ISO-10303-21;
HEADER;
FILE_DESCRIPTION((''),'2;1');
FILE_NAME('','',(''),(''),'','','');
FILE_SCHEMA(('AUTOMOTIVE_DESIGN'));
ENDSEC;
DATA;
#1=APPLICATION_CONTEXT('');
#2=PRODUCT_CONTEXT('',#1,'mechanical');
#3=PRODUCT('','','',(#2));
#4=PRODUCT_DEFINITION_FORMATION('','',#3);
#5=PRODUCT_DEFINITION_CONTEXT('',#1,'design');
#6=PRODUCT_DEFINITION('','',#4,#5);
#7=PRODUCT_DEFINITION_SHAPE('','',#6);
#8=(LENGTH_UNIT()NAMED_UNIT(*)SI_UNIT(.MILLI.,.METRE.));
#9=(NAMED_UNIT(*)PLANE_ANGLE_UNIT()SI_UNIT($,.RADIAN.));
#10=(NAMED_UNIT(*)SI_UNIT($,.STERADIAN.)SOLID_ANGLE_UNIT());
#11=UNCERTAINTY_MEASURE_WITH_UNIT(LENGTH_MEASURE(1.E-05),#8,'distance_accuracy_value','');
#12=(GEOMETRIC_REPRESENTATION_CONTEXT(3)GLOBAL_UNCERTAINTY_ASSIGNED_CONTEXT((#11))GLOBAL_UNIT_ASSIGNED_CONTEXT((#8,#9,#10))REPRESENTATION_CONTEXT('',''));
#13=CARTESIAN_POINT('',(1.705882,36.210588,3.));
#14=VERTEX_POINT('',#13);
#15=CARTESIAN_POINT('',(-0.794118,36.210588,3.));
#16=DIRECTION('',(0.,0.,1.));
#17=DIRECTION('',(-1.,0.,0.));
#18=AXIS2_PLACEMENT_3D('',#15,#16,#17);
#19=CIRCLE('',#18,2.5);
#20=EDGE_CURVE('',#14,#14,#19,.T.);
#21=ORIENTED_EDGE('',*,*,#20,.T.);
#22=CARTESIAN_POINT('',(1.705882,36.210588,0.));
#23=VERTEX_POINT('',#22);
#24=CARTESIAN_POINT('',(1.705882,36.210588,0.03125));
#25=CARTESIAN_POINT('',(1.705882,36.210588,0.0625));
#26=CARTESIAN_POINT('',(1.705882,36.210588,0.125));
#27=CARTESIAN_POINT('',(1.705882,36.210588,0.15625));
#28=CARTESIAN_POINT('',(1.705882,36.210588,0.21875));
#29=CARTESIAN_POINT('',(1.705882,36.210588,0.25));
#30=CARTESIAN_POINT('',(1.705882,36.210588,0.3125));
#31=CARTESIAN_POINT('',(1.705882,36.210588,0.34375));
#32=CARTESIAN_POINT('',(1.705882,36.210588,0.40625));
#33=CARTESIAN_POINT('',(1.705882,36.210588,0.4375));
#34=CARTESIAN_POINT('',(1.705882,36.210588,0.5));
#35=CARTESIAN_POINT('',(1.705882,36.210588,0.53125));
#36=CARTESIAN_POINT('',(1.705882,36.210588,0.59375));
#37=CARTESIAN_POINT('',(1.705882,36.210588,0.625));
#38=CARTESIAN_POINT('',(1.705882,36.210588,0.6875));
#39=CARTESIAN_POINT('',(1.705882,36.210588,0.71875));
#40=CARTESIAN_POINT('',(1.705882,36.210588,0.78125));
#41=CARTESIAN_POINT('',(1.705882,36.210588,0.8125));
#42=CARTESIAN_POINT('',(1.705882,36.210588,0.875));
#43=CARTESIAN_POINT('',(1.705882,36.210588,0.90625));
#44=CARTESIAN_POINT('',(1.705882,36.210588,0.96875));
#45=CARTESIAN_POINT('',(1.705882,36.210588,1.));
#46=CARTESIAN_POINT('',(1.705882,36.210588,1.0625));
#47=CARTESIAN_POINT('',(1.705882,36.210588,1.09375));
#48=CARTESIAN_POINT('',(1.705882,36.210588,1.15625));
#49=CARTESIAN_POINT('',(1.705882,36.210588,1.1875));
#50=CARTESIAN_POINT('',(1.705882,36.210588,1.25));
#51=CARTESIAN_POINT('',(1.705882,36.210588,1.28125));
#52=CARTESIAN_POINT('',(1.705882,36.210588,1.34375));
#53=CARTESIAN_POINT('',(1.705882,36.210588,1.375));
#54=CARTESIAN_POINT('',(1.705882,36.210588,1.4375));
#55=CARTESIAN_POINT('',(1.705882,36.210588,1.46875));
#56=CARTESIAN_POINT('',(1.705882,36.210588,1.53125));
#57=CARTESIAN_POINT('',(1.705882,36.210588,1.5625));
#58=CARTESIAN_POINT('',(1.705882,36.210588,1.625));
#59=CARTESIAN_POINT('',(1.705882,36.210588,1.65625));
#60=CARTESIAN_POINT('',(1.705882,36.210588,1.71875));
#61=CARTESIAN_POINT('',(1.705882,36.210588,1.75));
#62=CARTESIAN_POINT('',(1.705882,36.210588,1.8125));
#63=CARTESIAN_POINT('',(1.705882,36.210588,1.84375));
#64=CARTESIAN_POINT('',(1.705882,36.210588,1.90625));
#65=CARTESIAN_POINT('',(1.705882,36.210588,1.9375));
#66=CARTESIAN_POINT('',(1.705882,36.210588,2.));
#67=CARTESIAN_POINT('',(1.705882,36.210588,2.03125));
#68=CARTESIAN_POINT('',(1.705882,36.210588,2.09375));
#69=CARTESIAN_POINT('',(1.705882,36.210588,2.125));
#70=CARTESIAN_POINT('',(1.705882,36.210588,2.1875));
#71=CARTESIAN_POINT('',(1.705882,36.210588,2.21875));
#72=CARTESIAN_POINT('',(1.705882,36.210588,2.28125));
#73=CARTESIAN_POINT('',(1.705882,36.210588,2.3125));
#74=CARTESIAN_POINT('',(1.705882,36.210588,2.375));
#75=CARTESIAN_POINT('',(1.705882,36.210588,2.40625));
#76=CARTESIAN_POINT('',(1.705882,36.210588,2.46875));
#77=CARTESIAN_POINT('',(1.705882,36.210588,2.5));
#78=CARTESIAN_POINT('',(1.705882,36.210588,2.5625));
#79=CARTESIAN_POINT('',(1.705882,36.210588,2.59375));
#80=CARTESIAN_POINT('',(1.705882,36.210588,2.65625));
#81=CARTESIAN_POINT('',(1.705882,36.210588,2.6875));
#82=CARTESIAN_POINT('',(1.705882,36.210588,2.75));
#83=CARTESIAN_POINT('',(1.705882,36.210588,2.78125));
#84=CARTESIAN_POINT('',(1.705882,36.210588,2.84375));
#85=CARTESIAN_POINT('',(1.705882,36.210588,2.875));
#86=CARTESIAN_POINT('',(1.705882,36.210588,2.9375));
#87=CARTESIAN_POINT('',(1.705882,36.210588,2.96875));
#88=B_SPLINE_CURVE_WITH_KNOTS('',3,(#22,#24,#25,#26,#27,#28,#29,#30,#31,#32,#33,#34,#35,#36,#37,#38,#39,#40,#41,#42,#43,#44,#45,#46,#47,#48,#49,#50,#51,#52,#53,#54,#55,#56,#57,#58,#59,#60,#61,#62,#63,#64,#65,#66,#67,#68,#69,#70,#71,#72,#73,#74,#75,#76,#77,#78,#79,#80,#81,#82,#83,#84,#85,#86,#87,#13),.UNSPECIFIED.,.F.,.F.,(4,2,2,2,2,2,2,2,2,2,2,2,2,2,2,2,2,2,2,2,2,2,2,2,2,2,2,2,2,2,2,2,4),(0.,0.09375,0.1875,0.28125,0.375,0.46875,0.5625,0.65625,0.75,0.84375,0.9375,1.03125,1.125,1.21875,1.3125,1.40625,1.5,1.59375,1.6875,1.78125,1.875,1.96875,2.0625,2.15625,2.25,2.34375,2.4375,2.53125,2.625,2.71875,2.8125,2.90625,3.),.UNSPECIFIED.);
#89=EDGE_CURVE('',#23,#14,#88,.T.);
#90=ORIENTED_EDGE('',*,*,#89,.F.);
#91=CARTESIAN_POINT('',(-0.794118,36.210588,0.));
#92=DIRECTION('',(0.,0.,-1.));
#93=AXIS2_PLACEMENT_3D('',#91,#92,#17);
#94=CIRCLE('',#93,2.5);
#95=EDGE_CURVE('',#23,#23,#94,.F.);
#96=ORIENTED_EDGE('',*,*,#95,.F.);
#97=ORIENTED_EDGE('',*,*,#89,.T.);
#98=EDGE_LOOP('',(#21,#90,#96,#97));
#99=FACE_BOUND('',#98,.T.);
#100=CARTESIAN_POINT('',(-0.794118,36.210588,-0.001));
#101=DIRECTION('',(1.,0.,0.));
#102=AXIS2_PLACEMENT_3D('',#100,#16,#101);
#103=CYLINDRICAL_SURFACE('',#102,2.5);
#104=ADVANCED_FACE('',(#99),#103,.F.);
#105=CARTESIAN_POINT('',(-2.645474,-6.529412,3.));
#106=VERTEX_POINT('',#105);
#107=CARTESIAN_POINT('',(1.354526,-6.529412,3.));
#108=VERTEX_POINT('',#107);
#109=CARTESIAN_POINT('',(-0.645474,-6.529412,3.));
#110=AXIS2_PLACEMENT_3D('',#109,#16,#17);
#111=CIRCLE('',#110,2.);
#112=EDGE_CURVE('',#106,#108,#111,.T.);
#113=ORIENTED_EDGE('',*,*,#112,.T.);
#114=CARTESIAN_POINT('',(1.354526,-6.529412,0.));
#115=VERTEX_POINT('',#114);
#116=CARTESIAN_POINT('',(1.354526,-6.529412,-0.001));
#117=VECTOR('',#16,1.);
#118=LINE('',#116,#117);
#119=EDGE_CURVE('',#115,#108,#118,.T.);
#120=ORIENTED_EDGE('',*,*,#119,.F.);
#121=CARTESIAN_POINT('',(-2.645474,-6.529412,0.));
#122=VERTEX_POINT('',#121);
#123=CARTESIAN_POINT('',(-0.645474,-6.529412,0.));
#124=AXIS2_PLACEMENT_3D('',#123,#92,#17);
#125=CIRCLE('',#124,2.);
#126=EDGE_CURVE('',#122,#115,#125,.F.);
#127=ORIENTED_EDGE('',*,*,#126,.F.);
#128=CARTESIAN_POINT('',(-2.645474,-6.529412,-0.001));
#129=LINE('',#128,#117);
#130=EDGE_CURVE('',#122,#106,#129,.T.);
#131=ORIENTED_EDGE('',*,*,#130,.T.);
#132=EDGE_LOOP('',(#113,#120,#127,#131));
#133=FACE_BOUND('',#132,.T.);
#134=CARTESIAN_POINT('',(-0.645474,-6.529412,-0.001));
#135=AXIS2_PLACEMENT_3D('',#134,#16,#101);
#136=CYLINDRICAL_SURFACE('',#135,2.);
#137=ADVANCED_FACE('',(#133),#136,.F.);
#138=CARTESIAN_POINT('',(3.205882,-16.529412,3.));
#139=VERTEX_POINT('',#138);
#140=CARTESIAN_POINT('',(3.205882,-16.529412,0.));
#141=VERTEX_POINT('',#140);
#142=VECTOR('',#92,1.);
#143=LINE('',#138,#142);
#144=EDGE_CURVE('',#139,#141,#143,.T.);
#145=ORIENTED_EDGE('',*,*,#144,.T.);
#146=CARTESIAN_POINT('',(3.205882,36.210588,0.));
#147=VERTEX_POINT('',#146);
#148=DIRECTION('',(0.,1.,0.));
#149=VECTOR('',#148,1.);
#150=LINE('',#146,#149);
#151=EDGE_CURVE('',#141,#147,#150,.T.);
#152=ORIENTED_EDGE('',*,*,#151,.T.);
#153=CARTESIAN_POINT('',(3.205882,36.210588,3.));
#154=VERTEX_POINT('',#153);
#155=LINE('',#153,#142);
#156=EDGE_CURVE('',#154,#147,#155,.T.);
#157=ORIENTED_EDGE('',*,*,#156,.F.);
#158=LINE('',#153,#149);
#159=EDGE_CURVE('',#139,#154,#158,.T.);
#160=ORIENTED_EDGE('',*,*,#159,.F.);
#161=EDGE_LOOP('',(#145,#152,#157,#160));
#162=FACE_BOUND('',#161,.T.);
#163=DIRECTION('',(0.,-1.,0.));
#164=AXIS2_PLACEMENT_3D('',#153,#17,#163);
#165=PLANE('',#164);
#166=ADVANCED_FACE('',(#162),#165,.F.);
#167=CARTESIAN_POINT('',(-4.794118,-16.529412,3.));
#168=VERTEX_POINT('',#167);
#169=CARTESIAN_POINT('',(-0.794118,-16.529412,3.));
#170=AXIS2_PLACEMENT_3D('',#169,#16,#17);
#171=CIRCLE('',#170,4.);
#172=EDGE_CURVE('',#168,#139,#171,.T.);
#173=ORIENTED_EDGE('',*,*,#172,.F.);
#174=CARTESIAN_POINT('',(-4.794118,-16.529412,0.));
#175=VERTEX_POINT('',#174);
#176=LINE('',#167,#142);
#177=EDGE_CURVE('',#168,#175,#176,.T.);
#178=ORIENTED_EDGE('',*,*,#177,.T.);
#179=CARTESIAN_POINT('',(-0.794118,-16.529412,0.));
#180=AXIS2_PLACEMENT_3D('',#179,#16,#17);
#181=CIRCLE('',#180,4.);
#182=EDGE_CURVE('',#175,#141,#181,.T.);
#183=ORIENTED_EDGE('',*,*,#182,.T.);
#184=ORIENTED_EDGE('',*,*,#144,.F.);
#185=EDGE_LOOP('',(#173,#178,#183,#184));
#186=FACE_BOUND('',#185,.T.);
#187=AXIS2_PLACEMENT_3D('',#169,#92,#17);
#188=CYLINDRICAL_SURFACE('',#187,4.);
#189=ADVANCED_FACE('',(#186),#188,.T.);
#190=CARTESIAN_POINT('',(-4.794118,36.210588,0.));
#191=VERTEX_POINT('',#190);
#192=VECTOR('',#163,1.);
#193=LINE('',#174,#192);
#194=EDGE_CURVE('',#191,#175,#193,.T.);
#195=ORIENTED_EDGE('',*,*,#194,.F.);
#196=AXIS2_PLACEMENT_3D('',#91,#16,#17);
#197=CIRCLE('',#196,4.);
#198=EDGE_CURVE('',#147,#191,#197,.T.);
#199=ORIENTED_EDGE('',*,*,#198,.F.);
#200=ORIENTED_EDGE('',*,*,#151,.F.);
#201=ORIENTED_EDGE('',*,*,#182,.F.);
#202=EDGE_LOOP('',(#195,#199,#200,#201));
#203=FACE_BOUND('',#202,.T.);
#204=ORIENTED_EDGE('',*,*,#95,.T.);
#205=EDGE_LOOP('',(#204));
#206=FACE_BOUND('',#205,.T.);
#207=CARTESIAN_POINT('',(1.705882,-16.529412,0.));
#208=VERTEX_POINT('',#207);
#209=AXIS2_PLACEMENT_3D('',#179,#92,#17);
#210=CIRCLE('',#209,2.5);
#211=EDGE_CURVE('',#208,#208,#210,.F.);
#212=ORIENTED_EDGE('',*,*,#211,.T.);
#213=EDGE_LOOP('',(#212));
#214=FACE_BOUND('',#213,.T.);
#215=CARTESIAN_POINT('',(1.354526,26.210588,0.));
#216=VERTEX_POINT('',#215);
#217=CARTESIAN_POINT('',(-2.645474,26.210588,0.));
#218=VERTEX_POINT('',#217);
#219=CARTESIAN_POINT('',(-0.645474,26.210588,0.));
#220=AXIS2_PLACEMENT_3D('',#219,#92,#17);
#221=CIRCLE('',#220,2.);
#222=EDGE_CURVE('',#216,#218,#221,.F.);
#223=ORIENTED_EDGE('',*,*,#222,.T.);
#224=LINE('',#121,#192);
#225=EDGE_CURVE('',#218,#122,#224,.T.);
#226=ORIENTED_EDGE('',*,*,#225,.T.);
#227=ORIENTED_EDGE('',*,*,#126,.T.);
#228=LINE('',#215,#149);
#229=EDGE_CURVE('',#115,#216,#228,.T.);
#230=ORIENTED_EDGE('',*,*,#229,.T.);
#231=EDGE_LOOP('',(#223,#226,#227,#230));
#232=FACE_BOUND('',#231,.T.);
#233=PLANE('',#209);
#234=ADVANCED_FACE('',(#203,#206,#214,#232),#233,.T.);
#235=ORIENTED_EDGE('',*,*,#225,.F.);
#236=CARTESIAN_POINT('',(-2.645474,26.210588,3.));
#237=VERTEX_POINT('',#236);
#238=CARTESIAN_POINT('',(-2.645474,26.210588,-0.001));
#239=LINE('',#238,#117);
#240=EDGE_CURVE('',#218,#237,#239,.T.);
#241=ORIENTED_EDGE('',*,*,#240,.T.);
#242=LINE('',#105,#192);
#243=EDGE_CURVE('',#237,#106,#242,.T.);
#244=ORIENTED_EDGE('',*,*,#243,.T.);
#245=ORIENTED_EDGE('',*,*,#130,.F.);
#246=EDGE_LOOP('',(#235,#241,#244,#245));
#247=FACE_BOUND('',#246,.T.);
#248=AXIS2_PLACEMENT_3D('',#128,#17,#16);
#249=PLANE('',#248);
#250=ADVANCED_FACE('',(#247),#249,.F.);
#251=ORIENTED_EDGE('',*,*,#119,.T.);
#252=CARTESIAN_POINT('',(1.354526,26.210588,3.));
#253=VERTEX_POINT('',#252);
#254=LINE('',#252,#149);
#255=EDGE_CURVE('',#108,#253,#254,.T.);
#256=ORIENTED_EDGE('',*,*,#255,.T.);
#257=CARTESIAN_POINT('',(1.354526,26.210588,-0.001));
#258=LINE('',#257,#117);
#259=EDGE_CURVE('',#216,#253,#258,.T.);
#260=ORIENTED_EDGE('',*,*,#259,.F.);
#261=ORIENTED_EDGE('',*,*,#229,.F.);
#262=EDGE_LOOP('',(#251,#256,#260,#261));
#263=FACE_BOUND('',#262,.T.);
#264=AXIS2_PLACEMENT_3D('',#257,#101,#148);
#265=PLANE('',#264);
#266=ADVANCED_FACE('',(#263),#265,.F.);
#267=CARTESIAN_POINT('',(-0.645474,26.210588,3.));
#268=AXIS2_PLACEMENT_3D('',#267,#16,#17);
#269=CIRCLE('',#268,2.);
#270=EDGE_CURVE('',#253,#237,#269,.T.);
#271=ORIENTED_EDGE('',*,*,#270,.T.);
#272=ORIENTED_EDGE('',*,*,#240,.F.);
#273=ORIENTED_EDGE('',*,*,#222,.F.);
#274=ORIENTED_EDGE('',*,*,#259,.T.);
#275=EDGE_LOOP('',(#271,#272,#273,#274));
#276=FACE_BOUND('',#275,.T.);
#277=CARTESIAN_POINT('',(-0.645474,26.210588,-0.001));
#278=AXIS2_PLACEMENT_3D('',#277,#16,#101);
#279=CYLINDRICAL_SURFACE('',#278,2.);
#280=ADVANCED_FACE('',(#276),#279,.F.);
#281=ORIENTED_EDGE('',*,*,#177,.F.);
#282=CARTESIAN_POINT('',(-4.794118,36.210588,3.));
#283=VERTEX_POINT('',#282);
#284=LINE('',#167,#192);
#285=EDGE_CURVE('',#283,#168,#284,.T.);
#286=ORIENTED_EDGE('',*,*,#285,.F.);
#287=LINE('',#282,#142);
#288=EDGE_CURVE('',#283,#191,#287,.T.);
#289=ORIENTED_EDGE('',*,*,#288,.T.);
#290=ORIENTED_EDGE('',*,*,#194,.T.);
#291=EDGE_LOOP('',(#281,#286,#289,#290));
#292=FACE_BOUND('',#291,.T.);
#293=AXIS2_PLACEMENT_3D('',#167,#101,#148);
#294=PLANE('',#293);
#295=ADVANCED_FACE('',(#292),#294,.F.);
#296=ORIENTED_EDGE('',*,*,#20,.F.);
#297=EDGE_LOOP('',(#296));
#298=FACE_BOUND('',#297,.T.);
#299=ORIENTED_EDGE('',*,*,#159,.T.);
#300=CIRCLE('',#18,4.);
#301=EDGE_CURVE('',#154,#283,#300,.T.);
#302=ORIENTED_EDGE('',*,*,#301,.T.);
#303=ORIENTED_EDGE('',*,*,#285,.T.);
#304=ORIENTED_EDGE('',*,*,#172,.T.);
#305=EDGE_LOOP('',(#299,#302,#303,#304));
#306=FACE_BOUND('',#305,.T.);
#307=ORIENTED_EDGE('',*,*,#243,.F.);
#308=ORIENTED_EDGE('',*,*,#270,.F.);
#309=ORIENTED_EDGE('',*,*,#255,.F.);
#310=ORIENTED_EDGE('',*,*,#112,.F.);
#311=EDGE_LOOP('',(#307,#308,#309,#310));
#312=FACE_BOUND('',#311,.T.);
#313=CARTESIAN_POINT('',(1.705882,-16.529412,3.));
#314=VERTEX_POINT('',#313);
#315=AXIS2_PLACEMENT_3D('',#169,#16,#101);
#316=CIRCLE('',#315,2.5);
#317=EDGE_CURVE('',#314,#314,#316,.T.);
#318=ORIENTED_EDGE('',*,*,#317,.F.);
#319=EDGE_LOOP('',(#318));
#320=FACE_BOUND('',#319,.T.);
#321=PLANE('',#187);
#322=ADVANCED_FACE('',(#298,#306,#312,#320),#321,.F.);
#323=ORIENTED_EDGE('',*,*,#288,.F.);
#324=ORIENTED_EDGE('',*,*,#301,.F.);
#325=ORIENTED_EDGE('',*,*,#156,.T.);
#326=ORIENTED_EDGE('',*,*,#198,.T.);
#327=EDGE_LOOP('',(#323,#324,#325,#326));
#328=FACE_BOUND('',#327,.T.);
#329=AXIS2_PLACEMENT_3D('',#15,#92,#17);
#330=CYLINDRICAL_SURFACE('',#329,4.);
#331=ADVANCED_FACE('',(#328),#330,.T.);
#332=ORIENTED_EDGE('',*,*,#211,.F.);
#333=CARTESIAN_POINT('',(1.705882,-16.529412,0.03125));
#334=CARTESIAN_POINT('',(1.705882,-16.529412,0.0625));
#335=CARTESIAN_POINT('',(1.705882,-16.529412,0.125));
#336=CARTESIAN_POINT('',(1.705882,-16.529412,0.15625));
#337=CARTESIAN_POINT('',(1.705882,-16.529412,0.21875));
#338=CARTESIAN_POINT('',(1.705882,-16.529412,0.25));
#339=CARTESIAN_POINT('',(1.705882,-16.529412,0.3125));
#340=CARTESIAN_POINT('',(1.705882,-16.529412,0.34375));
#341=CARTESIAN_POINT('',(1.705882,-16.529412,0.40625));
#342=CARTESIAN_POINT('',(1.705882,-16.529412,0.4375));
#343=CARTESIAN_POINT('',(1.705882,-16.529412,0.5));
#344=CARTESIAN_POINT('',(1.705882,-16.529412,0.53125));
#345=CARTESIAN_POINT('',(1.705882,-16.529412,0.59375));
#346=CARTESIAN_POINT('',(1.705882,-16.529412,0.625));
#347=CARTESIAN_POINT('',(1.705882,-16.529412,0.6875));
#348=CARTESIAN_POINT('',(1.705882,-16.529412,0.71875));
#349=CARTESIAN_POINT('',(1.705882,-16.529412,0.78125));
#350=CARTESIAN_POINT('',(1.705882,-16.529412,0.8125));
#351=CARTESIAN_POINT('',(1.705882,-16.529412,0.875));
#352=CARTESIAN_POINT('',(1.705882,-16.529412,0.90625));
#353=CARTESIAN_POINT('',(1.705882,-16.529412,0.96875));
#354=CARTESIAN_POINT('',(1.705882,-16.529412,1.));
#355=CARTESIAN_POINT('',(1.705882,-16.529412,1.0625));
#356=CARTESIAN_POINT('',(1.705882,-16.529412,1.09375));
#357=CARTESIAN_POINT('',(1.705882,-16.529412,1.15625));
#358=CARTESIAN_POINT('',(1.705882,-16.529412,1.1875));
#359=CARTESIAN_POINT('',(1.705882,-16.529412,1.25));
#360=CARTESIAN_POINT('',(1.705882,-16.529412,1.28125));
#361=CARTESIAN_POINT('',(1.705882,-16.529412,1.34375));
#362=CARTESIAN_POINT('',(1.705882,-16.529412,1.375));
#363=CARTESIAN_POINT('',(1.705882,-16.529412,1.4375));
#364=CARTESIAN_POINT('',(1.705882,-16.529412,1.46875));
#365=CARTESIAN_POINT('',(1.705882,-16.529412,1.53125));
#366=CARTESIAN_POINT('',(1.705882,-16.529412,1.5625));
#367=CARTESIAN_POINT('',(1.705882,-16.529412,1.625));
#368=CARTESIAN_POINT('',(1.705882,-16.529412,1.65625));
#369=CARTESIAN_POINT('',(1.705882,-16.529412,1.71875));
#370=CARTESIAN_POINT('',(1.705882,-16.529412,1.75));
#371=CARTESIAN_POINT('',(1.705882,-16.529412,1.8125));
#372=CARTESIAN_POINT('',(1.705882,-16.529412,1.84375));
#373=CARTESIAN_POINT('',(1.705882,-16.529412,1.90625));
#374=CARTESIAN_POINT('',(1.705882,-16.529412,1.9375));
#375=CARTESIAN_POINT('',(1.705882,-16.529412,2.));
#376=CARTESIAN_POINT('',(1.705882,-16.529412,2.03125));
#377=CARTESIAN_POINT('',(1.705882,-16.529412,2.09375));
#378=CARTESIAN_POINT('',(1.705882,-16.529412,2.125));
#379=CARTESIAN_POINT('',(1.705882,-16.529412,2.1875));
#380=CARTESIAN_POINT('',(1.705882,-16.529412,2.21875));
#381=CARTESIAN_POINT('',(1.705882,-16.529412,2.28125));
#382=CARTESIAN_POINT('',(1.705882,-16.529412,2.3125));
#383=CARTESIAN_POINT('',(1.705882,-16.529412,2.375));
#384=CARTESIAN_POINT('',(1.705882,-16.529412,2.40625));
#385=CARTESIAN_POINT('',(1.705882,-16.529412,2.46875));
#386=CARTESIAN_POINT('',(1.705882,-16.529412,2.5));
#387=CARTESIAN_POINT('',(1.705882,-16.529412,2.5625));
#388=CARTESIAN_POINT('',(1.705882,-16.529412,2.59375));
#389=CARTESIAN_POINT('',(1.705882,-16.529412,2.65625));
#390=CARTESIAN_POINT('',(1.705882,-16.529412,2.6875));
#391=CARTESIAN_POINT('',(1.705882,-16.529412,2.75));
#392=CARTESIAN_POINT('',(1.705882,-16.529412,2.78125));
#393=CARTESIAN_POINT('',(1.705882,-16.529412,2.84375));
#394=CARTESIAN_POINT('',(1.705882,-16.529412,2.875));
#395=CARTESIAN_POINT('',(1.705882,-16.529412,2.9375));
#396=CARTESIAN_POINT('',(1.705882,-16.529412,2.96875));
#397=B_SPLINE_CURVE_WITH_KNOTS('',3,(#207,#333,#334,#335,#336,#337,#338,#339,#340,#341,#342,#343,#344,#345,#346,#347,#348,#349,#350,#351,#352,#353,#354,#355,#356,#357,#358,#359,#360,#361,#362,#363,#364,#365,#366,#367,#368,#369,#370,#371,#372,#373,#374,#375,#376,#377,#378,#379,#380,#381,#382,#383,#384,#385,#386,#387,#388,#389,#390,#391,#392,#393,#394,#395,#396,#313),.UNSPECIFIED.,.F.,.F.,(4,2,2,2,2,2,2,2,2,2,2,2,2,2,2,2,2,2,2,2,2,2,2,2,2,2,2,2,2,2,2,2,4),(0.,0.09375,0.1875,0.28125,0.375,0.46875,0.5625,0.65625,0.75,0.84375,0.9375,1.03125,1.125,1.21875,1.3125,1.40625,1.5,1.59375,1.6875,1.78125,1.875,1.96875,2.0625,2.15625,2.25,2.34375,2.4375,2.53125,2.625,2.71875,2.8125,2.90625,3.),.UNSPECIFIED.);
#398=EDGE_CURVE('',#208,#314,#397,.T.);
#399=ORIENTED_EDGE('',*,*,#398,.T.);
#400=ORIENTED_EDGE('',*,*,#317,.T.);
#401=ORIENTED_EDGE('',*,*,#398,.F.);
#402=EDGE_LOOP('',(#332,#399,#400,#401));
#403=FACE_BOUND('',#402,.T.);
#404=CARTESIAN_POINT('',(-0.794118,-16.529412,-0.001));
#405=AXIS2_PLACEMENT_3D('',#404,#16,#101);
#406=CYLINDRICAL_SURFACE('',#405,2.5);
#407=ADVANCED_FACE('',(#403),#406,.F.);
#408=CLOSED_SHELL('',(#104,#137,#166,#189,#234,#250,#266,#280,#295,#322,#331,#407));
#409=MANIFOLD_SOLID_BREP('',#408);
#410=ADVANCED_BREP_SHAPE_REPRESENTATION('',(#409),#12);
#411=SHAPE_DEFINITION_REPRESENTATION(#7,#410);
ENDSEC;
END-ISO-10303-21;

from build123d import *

# Parameters (mm, degrees)
BOSS_EXTRUDE1_DEPTH = 3
CUT_EXTRUDE1_REACH  = 42.606
SKETCH2_R           = 2.5
CUT_EXTRUDE2_REACH  = 42.606


with BuildPart() as part:
    # Sketch1 → Boss-Extrude1 (new body)
    with BuildSketch(Plane(origin=(0, 0, 0), x_dir=(0, 1, 0), z_dir=(0, 0, 1))):
        with BuildLine():
            Line((-16.529411765, 4.794117647), (36.210588235, 4.794117647))
            ThreePointArc((36.210588235, 4.794117647), (40.210588235, 0.794117647), (36.210588235, -3.205882353))
            Line((36.210588235, -3.205882353), (-16.529411765, -3.205882353))
            ThreePointArc((-16.529411765, -3.205882353), (-20.529411765, 0.794117647), (-16.529411765, 4.794117647))
        make_face()
    extrude(amount=BOSS_EXTRUDE1_DEPTH)

    # Sketch2 → Cut-Extrude1 (cut, up to next)
    with BuildSketch(Plane.XY.offset(3), mode=Mode.PRIVATE) as cut_extrude1_sk1:
        with Locations((-0.794117647, -16.529411765)):
            Circle(SKETCH2_R)
    cut_extrude1_tool1 = extrude(cut_extrude1_sk1.sketch, amount=-CUT_EXTRUDE1_REACH, mode=Mode.PRIVATE) & part.part
    # Sketch2 → Cut-Extrude1 (cut, up to next)
    with BuildSketch(Plane.XY.offset(3), mode=Mode.PRIVATE) as cut_extrude1_sk2:
        with Locations((-0.794117647, 36.210588235)):
            Circle(SKETCH2_R)
    cut_extrude1_tool2 = extrude(cut_extrude1_sk2.sketch, amount=-CUT_EXTRUDE1_REACH, mode=Mode.PRIVATE) & part.part
    add(cut_extrude1_tool1.solids().sort_by_distance((-0.794118, -16.529412, 3))[0], mode=Mode.SUBTRACT)
    add(cut_extrude1_tool2.solids().sort_by_distance((-0.794118, 36.210588, 3))[0], mode=Mode.SUBTRACT)

    # Sketch3 → Cut-Extrude2 (cut, up to next)
    with BuildSketch(Plane.XY.offset(3), mode=Mode.PRIVATE) as cut_extrude2_sk1:
        with BuildLine():
            Line((-2.645474442, -6.529411765), (-2.645474442, 26.210588235))
            ThreePointArc((-2.645474442, 26.210588235), (-0.645474442, 28.210588235), (1.354525558, 26.210588235))
            Line((1.354525558, 26.210588235), (1.354525558, -6.529411765))
            ThreePointArc((1.354525558, -6.529411765), (-0.645474442, -8.529411765), (-2.645474442, -6.529411765))
        make_face()
    cut_extrude2_tool1 = extrude(cut_extrude2_sk1.sketch, amount=-CUT_EXTRUDE2_REACH, mode=Mode.PRIVATE) & part.part
    add(cut_extrude2_tool1.solids().sort_by_distance((-0.645474, 9.840588, 3))[0], mode=Mode.SUBTRACT)


solid = part.part
